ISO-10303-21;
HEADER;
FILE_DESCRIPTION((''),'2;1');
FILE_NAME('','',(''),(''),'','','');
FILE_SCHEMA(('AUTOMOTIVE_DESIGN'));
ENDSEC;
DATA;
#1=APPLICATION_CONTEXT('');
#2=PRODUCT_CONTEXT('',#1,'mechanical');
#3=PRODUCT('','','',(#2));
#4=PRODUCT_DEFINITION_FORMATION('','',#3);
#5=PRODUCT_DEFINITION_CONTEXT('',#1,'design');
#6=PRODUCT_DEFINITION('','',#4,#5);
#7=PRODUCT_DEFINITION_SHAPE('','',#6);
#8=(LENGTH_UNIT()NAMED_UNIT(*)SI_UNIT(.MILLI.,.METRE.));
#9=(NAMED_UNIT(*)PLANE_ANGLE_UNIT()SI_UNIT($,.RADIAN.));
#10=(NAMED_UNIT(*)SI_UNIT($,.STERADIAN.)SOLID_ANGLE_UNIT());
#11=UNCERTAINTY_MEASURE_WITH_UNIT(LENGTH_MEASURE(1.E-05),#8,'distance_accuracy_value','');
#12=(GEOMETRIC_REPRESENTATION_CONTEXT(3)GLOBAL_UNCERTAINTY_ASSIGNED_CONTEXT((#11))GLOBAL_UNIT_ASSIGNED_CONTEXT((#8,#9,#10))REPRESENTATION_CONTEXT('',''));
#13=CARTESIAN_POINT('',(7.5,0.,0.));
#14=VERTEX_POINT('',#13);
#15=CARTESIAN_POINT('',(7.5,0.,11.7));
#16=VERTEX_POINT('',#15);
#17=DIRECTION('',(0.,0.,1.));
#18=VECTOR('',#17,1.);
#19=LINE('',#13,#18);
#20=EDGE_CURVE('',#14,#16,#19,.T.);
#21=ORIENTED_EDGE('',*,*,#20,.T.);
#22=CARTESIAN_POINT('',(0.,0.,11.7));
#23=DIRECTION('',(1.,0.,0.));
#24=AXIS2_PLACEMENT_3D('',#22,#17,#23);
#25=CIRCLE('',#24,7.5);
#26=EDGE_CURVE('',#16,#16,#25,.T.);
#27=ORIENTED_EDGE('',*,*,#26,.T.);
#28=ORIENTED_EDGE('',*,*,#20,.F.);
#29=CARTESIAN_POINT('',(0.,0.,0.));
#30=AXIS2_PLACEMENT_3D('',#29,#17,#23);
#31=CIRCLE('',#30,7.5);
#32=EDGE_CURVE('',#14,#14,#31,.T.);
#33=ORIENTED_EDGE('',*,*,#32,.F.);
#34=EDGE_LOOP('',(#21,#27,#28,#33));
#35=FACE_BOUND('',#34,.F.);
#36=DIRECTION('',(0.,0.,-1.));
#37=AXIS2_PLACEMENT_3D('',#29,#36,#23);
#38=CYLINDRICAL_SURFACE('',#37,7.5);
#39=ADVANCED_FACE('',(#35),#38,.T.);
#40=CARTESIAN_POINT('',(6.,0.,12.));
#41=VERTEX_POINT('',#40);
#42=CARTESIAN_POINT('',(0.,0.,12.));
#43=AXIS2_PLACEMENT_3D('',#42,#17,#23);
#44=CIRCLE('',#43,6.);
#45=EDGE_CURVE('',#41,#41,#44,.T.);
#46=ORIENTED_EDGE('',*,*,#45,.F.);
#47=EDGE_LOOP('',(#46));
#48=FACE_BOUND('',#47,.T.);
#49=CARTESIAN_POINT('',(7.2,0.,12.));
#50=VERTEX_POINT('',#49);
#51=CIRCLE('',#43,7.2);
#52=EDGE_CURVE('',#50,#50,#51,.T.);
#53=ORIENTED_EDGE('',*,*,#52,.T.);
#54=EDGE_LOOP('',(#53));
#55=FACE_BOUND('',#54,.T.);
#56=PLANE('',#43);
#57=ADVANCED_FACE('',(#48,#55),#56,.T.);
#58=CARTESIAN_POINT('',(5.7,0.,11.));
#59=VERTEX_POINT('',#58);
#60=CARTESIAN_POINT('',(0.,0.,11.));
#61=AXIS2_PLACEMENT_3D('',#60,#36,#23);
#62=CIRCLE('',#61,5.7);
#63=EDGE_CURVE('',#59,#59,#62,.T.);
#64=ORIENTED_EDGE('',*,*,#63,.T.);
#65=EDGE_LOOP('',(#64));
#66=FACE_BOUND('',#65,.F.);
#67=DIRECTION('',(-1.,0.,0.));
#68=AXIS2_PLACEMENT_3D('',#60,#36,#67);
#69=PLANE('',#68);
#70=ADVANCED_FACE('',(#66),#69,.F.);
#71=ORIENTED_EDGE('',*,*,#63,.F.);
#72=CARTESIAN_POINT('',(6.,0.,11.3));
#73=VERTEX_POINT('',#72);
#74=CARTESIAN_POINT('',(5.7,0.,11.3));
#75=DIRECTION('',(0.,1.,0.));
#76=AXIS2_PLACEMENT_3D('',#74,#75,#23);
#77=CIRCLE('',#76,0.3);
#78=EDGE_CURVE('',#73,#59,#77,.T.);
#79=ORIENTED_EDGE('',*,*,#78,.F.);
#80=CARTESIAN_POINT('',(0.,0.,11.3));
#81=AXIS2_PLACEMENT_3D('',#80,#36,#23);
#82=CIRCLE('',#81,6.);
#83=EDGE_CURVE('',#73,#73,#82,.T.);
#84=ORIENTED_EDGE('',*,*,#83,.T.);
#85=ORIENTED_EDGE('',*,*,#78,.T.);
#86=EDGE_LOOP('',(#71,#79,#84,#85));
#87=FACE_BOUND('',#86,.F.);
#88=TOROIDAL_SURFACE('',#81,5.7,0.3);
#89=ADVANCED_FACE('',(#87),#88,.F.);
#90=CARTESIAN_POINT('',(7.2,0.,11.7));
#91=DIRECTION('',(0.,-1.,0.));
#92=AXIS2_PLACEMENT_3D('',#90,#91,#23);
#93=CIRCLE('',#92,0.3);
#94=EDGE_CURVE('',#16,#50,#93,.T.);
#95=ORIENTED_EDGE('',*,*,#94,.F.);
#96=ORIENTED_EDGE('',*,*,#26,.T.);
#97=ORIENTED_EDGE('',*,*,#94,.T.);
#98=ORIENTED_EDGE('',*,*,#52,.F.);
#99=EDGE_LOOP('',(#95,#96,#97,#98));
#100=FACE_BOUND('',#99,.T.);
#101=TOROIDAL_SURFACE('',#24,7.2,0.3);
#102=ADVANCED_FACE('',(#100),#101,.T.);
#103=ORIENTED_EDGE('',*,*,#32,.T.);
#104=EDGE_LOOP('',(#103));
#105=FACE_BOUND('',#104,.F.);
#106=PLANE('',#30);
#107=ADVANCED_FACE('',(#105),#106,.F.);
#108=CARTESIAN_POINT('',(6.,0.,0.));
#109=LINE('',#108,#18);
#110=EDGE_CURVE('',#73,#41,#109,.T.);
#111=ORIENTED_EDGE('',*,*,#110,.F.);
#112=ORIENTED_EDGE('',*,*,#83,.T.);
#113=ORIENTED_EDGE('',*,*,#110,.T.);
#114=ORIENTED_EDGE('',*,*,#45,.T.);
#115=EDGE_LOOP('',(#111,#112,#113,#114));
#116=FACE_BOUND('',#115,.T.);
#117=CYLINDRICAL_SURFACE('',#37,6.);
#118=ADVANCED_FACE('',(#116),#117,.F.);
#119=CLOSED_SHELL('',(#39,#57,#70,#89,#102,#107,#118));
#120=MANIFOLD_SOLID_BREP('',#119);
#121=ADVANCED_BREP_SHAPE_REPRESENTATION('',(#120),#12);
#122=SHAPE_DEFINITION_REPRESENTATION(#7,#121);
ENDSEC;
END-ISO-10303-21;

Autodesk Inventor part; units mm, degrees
ref_plane "YZ Plane" through (0, 0, 0) normal (1, 0, 0) x (0, 1, 0)
ref_plane "XZ Plane" through (0, 0, 0) normal (0, 1, 0) x (-1, 0, 0)
ref_plane "XY Plane" through (0, 0, 0) normal (0, 0, 1) x (1, 0, 0)
sketch "Esboço1" plane through (0, 0, 0) normal (0, 0, 1) x (1, 0, 0)
  circle A0 centre (0, 0) radius 7.5
  circle A1 centre (0, 0) radius 6
  dimension "d0" = 15
  dimension "d1" = 12
extrude "Extrusão1" add sketch "Esboço1" along normal blind 12
sketch "Esboço2" plane through (0, 0, 0) normal (0, 0, -1) x (-1, 0, 0)
  circle A0 centre (0, 0) radius 6
extrude "Extrusão2" add sketch "Esboço2" against normal blind 11
fillet "Arredondamento1" radius 0.3 2 edges at (-7.5, 0, 12) (-6, 0, 11)
properties part number "Caixa"
